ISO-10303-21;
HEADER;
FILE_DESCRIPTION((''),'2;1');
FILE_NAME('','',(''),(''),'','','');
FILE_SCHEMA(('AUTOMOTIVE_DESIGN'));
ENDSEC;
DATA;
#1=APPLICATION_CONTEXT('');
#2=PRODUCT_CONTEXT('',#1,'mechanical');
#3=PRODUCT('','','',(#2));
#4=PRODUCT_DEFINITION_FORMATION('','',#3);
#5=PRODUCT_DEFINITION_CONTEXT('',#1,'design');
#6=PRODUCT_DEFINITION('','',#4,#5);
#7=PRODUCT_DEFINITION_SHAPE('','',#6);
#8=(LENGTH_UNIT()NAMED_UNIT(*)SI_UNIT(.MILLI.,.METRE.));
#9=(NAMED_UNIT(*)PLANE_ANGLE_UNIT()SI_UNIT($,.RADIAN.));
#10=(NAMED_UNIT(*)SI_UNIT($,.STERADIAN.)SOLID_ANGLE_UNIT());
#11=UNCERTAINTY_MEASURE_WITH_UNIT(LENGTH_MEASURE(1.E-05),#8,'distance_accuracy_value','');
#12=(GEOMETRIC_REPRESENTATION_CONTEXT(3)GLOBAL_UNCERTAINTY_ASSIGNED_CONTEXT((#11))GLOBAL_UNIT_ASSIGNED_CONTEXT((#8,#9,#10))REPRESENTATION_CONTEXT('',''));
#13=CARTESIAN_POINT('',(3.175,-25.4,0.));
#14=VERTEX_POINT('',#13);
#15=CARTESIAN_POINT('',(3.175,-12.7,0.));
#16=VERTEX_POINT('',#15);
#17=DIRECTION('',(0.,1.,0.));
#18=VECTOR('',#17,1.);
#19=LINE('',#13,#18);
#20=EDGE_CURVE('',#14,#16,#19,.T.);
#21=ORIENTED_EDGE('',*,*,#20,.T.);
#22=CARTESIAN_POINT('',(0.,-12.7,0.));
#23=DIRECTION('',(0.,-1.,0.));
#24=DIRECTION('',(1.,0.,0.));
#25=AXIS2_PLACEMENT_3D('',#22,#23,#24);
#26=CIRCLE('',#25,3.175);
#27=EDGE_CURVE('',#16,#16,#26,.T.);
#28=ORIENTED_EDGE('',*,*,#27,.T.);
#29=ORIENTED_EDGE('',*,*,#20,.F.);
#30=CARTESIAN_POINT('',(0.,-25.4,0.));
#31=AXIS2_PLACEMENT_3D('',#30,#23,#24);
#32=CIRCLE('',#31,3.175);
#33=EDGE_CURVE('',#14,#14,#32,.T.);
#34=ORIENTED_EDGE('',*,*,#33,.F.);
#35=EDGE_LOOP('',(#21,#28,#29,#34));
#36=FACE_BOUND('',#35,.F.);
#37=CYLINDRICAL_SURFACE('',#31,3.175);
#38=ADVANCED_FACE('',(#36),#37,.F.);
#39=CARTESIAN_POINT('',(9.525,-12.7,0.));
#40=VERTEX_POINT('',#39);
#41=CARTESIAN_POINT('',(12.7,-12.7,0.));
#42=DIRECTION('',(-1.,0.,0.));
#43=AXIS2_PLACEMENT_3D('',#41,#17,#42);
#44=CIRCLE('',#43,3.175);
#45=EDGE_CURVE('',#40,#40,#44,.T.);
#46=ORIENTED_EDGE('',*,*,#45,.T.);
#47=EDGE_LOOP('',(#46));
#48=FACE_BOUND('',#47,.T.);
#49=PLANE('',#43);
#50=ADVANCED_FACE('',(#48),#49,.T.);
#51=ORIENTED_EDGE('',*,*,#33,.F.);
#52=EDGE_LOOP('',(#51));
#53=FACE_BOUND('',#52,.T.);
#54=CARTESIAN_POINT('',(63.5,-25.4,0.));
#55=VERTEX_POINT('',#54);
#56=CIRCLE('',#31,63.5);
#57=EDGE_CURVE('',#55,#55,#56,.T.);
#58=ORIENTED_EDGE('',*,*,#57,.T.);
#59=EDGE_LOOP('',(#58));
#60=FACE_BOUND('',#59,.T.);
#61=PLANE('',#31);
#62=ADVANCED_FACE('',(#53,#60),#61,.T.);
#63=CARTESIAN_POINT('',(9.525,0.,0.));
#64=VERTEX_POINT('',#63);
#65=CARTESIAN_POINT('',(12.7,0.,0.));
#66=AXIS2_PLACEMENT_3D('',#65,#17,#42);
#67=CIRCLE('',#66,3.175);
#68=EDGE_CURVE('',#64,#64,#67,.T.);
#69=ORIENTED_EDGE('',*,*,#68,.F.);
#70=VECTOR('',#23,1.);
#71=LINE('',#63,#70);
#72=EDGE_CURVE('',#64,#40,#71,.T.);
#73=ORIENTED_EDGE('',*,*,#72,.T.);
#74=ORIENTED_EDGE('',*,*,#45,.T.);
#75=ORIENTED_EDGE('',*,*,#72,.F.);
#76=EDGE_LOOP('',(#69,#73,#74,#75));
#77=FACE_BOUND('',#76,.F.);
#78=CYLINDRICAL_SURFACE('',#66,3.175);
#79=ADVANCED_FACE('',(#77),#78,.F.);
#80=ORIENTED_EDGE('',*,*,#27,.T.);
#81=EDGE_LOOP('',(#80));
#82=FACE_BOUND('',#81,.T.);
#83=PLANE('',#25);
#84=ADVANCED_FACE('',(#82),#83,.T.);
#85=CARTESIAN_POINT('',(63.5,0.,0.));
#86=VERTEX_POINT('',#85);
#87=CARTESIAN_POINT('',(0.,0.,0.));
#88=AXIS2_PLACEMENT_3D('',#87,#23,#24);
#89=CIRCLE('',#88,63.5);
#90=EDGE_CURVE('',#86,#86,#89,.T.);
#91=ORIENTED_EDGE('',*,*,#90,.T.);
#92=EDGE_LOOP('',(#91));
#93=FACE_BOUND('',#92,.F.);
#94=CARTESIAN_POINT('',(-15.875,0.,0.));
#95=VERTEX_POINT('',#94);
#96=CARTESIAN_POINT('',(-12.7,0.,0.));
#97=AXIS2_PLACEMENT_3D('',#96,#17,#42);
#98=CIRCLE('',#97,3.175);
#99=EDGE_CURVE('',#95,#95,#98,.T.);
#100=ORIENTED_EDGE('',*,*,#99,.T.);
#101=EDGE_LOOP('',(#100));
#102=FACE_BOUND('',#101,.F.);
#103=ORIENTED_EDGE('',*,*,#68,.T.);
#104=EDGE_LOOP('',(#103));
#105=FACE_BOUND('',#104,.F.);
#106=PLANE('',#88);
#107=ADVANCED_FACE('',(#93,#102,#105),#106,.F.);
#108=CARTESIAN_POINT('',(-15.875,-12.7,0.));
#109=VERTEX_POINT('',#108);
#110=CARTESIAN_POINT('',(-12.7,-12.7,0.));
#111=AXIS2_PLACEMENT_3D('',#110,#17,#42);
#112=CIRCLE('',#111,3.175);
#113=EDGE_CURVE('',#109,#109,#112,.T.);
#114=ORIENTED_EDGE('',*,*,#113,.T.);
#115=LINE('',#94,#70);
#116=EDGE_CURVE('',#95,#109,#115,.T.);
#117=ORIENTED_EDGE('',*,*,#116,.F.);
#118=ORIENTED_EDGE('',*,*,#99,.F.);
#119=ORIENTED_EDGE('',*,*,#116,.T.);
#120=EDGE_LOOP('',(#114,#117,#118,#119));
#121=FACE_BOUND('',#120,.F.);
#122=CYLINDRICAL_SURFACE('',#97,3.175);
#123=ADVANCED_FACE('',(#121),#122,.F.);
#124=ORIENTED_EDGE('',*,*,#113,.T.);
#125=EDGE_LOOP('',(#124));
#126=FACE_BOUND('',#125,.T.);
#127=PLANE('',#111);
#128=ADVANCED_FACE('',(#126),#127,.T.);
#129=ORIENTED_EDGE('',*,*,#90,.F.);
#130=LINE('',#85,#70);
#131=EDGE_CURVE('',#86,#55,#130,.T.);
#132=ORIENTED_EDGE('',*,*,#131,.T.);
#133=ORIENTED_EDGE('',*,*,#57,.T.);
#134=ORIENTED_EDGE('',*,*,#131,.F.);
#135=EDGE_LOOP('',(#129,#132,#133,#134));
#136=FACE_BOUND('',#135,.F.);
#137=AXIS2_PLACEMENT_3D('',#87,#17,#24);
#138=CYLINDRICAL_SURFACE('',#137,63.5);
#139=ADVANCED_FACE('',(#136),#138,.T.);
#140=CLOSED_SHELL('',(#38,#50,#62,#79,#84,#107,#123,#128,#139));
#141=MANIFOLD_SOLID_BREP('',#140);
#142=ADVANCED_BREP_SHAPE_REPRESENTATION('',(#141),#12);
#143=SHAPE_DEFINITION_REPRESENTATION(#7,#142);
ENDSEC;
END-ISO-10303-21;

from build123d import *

# Parameters (mm, degrees)
F0_R     = 63.5
F1_DEPTH = 25.4
F4_R     = 3.175
F5_DEPTH = 12.7
F6_R     = 3.175
F7_DEPTH = 12.7


with BuildPart() as f1:
    # F0 (on Front) → F1 (new body)
    with BuildSketch(Plane.XZ):
        Circle(F0_R)
    extrude(amount=F1_DEPTH)

    # F4 (on face) → F5 (cut)
    with BuildSketch(Plane.XZ.offset(25.4)):
        Circle(F4_R)
    extrude(amount=-F5_DEPTH, mode=Mode.SUBTRACT)

    # F6 (on face) → F7 (cut)
    with BuildSketch(Plane(origin=(0, 0, 0), x_dir=(-1, 0, 0), z_dir=(0, 1, 0))):
        with Locations((-12.7, 0)):
            Circle(F6_R)
        with Locations((12.7, 0)):
            Circle(F6_R)
    extrude(amount=-F7_DEPTH, mode=Mode.SUBTRACT)


solid = f1.part
